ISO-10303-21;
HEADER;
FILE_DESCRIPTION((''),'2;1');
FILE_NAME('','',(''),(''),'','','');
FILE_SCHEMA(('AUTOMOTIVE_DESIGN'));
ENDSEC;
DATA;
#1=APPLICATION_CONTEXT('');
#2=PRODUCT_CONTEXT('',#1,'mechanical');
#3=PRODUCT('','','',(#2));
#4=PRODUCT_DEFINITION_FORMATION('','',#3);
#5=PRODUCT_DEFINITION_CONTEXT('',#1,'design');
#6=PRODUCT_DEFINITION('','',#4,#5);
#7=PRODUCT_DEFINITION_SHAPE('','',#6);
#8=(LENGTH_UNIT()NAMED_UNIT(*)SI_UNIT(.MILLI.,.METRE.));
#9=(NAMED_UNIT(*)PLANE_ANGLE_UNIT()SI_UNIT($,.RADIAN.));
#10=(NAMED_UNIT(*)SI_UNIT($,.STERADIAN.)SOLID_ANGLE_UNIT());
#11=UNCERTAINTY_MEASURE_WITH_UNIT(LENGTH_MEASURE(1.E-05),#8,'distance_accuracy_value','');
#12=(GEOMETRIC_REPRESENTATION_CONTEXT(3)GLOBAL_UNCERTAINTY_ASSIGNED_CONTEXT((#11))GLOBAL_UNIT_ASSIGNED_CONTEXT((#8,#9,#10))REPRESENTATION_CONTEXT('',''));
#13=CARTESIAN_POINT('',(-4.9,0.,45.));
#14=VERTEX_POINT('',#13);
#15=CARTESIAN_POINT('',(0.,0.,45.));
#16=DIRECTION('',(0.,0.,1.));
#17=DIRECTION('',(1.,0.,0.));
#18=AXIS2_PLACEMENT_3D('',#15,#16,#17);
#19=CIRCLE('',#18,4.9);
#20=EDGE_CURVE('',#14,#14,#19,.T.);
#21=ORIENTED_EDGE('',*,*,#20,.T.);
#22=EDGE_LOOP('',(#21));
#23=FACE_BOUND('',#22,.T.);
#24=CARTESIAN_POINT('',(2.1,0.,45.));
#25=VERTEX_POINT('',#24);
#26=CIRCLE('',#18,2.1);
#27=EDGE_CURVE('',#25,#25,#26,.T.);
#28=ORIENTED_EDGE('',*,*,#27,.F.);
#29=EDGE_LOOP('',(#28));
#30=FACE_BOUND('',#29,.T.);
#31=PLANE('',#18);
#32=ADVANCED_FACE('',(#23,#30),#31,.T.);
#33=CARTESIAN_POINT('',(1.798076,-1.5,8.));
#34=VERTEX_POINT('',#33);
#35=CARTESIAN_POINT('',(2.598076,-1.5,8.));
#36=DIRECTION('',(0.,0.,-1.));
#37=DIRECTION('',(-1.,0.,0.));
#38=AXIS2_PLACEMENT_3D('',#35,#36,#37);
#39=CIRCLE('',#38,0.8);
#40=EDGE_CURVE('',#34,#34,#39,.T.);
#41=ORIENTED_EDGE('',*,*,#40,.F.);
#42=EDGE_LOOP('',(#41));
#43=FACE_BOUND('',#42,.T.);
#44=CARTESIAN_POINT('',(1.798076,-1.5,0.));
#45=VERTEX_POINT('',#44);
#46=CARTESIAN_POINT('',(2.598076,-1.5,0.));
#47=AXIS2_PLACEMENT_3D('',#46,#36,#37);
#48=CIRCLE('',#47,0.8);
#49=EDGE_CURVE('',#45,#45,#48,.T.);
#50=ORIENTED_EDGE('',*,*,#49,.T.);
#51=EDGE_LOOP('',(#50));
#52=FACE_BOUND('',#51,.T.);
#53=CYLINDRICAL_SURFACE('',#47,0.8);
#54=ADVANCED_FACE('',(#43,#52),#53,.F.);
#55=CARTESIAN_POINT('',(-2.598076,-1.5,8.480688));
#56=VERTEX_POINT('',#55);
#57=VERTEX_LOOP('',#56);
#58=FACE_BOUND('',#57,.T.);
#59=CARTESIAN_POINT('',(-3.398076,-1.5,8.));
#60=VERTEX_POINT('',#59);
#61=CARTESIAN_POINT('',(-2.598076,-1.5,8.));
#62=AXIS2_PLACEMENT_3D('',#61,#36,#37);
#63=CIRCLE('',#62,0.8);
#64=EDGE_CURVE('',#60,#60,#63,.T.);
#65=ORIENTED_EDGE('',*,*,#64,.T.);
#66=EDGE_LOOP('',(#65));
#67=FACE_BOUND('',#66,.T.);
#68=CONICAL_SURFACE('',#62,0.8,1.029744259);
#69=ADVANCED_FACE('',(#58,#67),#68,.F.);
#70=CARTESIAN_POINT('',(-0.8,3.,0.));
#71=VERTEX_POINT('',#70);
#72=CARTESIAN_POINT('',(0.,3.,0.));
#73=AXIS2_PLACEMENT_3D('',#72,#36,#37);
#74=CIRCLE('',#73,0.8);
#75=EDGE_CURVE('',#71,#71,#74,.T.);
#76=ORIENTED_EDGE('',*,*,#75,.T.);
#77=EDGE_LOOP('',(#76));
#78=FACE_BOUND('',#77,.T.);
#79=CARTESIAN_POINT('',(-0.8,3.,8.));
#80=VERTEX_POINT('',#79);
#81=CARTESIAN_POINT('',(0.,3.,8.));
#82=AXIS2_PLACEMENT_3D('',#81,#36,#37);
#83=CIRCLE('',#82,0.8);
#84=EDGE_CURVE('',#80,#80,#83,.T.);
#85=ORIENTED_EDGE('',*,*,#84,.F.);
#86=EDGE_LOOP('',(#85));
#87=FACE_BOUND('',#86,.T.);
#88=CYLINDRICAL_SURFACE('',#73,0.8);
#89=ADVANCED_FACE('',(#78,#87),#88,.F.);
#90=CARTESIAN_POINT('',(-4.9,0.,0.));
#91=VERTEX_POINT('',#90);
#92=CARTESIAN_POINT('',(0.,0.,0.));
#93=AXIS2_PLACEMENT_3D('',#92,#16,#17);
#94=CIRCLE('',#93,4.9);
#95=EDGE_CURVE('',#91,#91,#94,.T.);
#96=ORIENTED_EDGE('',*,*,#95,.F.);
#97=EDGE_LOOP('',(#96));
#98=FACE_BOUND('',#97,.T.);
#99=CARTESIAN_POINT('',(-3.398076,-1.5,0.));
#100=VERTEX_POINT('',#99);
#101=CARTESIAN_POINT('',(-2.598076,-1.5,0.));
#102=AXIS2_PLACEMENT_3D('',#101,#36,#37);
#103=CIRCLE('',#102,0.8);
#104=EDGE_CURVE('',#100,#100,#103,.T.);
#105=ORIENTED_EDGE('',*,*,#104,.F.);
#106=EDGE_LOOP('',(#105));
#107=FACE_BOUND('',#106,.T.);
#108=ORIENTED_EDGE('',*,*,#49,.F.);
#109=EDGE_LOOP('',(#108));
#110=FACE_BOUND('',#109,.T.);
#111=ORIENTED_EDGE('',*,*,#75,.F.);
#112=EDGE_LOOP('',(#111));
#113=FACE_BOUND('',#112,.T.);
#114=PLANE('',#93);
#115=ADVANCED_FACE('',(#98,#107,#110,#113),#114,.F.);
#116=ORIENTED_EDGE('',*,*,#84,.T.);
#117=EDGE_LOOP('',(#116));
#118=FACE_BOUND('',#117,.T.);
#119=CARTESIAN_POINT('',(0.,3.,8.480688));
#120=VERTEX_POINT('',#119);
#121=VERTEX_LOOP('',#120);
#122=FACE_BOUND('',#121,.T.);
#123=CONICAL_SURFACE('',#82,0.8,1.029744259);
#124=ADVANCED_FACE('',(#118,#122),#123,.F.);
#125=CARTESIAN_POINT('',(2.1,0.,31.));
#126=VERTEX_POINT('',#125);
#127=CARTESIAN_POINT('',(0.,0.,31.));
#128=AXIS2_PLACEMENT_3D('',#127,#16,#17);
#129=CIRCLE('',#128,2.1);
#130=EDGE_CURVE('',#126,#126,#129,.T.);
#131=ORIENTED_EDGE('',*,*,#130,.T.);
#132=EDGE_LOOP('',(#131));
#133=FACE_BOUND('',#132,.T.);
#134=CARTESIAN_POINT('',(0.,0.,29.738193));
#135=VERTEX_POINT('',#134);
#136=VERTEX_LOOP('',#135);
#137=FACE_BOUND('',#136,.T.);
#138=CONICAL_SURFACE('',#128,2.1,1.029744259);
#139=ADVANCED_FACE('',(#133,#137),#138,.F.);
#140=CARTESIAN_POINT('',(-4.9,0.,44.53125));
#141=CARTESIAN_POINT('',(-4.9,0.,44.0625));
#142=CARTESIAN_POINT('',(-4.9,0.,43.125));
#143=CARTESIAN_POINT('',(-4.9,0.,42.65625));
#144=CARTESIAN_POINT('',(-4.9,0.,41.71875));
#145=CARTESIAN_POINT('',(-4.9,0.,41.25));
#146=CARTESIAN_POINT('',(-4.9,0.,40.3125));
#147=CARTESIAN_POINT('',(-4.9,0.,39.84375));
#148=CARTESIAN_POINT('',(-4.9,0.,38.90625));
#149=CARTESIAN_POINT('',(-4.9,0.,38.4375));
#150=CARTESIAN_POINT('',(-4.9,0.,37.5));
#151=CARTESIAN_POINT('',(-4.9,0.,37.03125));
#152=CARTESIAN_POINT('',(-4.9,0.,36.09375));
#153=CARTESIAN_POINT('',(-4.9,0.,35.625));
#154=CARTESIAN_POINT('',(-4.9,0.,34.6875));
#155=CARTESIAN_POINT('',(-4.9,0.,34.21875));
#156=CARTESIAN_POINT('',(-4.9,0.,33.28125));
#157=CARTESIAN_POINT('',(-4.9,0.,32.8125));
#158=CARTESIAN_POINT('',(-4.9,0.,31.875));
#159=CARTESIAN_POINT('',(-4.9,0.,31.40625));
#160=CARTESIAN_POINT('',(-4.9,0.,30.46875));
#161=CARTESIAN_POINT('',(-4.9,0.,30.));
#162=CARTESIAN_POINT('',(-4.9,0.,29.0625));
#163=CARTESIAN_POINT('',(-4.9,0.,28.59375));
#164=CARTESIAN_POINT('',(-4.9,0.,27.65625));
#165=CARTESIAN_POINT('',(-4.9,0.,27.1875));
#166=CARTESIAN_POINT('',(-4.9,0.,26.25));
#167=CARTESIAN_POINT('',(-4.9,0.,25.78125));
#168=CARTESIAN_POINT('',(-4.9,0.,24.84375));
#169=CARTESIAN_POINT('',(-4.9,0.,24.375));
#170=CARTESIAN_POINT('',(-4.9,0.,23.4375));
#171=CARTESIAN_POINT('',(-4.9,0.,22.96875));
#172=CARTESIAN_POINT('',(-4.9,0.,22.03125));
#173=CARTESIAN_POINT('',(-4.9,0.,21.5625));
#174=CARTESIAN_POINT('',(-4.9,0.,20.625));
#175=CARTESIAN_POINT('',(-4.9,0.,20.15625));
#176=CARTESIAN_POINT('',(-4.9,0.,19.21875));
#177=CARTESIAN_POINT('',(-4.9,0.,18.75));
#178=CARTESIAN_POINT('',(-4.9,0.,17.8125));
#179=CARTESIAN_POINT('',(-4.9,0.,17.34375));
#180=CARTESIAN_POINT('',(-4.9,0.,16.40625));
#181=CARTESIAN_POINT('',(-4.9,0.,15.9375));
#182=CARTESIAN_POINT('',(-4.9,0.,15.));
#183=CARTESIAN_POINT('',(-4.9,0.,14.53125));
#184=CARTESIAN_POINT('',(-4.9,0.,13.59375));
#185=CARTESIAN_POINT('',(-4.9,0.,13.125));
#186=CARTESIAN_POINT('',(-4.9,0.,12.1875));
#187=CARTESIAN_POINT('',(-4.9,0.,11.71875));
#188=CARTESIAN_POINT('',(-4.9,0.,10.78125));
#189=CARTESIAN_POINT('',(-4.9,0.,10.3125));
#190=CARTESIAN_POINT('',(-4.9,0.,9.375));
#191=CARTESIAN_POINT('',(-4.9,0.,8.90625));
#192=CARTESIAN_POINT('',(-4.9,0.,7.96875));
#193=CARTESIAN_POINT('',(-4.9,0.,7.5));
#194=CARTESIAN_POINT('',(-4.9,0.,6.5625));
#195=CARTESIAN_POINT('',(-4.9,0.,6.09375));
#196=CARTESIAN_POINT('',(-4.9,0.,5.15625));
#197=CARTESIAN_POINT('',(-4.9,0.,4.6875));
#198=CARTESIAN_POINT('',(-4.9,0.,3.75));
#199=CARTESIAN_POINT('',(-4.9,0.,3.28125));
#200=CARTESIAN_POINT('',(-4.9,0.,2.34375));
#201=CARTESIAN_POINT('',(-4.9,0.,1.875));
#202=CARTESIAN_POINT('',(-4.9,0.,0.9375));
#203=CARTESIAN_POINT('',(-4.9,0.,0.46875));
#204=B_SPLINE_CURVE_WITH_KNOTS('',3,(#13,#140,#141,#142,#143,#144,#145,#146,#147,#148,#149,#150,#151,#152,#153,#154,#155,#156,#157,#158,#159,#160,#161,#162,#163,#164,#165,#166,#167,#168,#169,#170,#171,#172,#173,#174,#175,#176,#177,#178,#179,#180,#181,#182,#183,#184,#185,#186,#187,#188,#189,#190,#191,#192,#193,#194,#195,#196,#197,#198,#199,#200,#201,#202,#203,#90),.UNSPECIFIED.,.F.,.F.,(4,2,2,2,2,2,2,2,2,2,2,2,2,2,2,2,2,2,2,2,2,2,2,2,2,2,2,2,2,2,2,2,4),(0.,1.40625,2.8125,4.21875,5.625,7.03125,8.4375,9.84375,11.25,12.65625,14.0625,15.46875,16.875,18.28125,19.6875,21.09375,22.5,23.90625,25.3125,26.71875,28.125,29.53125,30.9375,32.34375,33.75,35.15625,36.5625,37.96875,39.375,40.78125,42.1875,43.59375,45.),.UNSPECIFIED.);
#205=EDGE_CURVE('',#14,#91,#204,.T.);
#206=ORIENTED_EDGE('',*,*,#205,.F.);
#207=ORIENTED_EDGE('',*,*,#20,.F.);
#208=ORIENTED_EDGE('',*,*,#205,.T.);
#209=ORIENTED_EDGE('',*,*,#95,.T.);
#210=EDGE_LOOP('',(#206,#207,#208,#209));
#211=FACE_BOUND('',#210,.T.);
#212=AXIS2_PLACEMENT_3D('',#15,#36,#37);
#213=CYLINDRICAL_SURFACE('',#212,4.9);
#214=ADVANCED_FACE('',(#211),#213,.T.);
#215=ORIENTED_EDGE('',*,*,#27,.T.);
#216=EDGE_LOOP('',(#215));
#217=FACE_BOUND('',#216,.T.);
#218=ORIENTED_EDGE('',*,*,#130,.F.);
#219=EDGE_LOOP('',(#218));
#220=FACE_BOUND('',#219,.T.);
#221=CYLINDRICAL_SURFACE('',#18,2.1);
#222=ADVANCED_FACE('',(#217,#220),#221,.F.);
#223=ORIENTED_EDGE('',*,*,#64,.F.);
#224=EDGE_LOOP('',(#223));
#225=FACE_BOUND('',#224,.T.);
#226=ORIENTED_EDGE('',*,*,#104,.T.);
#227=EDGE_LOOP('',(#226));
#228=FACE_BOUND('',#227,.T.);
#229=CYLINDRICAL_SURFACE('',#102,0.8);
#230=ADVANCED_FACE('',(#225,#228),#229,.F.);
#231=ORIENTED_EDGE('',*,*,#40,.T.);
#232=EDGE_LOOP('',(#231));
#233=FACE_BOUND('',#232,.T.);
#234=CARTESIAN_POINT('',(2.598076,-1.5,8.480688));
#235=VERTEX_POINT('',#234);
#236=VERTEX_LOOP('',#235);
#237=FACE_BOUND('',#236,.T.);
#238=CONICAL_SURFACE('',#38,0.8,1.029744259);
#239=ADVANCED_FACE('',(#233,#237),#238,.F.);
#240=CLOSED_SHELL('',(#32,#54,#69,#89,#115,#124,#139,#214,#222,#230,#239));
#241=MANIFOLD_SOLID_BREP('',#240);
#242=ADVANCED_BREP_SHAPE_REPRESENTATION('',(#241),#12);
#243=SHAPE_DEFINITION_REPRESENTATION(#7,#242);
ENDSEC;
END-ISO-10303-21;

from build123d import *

# Parameters (mm, degrees)
ESBO_O1_R                = 4.9
RESSALTO_EXTRUS_O1_DEPTH = 45
PADR_OCIRCULAR1_COUNT    = 3


with BuildPart() as part:
    # Esboço1 → Ressalto-extrusão1 (new body)
    with BuildSketch(Plane.XY):
        with Locations(Location((0, 0, 0), (0, 0, 180))):
            Circle(ESBO_O1_R)
    extrude(amount=RESSALTO_EXTRUS_O1_DEPTH)

    # Esboço2 → Furo roscado de M51 (revolve, cut)
    with BuildSketch(Plane(origin=(0, 0, 45), x_dir=(0, -1, 0), z_dir=(1, 0, 0))):
        Polygon((0, 0), (0, 15.2618073), (2.1, 14), (2.1, 0), align=None)
    revolve(axis=Axis((0, 0, 51.35), (0, 0, -1)), mode=Mode.SUBTRACT)

    # Esboço6 → Furo roscado de M21 (revolve, cut)
    with BuildSketch(Plane(origin=(0, 3, 0), x_dir=(0, 1, 0), z_dir=(1, 0, 0))):
        Polygon((0, 0), (0, 8.480688495), (0.8, 8), (0.8, 0), align=None)
    furo_roscado_de_m21 = revolve(axis=Axis((0, 3, -6.35), (0, 0, 1)), mode=Mode.SUBTRACT)

    # PadrãoCircular1: Furo roscado de M21 ×3 about axis
    padr_ocircular1_axis = Axis((0, 0, 0), (0, 0, 1))
    for i in range(1, PADR_OCIRCULAR1_COUNT):
        add(furo_roscado_de_m21.rotate(padr_ocircular1_axis, i * 360 / PADR_OCIRCULAR1_COUNT), mode=Mode.SUBTRACT)


solid = part.part
